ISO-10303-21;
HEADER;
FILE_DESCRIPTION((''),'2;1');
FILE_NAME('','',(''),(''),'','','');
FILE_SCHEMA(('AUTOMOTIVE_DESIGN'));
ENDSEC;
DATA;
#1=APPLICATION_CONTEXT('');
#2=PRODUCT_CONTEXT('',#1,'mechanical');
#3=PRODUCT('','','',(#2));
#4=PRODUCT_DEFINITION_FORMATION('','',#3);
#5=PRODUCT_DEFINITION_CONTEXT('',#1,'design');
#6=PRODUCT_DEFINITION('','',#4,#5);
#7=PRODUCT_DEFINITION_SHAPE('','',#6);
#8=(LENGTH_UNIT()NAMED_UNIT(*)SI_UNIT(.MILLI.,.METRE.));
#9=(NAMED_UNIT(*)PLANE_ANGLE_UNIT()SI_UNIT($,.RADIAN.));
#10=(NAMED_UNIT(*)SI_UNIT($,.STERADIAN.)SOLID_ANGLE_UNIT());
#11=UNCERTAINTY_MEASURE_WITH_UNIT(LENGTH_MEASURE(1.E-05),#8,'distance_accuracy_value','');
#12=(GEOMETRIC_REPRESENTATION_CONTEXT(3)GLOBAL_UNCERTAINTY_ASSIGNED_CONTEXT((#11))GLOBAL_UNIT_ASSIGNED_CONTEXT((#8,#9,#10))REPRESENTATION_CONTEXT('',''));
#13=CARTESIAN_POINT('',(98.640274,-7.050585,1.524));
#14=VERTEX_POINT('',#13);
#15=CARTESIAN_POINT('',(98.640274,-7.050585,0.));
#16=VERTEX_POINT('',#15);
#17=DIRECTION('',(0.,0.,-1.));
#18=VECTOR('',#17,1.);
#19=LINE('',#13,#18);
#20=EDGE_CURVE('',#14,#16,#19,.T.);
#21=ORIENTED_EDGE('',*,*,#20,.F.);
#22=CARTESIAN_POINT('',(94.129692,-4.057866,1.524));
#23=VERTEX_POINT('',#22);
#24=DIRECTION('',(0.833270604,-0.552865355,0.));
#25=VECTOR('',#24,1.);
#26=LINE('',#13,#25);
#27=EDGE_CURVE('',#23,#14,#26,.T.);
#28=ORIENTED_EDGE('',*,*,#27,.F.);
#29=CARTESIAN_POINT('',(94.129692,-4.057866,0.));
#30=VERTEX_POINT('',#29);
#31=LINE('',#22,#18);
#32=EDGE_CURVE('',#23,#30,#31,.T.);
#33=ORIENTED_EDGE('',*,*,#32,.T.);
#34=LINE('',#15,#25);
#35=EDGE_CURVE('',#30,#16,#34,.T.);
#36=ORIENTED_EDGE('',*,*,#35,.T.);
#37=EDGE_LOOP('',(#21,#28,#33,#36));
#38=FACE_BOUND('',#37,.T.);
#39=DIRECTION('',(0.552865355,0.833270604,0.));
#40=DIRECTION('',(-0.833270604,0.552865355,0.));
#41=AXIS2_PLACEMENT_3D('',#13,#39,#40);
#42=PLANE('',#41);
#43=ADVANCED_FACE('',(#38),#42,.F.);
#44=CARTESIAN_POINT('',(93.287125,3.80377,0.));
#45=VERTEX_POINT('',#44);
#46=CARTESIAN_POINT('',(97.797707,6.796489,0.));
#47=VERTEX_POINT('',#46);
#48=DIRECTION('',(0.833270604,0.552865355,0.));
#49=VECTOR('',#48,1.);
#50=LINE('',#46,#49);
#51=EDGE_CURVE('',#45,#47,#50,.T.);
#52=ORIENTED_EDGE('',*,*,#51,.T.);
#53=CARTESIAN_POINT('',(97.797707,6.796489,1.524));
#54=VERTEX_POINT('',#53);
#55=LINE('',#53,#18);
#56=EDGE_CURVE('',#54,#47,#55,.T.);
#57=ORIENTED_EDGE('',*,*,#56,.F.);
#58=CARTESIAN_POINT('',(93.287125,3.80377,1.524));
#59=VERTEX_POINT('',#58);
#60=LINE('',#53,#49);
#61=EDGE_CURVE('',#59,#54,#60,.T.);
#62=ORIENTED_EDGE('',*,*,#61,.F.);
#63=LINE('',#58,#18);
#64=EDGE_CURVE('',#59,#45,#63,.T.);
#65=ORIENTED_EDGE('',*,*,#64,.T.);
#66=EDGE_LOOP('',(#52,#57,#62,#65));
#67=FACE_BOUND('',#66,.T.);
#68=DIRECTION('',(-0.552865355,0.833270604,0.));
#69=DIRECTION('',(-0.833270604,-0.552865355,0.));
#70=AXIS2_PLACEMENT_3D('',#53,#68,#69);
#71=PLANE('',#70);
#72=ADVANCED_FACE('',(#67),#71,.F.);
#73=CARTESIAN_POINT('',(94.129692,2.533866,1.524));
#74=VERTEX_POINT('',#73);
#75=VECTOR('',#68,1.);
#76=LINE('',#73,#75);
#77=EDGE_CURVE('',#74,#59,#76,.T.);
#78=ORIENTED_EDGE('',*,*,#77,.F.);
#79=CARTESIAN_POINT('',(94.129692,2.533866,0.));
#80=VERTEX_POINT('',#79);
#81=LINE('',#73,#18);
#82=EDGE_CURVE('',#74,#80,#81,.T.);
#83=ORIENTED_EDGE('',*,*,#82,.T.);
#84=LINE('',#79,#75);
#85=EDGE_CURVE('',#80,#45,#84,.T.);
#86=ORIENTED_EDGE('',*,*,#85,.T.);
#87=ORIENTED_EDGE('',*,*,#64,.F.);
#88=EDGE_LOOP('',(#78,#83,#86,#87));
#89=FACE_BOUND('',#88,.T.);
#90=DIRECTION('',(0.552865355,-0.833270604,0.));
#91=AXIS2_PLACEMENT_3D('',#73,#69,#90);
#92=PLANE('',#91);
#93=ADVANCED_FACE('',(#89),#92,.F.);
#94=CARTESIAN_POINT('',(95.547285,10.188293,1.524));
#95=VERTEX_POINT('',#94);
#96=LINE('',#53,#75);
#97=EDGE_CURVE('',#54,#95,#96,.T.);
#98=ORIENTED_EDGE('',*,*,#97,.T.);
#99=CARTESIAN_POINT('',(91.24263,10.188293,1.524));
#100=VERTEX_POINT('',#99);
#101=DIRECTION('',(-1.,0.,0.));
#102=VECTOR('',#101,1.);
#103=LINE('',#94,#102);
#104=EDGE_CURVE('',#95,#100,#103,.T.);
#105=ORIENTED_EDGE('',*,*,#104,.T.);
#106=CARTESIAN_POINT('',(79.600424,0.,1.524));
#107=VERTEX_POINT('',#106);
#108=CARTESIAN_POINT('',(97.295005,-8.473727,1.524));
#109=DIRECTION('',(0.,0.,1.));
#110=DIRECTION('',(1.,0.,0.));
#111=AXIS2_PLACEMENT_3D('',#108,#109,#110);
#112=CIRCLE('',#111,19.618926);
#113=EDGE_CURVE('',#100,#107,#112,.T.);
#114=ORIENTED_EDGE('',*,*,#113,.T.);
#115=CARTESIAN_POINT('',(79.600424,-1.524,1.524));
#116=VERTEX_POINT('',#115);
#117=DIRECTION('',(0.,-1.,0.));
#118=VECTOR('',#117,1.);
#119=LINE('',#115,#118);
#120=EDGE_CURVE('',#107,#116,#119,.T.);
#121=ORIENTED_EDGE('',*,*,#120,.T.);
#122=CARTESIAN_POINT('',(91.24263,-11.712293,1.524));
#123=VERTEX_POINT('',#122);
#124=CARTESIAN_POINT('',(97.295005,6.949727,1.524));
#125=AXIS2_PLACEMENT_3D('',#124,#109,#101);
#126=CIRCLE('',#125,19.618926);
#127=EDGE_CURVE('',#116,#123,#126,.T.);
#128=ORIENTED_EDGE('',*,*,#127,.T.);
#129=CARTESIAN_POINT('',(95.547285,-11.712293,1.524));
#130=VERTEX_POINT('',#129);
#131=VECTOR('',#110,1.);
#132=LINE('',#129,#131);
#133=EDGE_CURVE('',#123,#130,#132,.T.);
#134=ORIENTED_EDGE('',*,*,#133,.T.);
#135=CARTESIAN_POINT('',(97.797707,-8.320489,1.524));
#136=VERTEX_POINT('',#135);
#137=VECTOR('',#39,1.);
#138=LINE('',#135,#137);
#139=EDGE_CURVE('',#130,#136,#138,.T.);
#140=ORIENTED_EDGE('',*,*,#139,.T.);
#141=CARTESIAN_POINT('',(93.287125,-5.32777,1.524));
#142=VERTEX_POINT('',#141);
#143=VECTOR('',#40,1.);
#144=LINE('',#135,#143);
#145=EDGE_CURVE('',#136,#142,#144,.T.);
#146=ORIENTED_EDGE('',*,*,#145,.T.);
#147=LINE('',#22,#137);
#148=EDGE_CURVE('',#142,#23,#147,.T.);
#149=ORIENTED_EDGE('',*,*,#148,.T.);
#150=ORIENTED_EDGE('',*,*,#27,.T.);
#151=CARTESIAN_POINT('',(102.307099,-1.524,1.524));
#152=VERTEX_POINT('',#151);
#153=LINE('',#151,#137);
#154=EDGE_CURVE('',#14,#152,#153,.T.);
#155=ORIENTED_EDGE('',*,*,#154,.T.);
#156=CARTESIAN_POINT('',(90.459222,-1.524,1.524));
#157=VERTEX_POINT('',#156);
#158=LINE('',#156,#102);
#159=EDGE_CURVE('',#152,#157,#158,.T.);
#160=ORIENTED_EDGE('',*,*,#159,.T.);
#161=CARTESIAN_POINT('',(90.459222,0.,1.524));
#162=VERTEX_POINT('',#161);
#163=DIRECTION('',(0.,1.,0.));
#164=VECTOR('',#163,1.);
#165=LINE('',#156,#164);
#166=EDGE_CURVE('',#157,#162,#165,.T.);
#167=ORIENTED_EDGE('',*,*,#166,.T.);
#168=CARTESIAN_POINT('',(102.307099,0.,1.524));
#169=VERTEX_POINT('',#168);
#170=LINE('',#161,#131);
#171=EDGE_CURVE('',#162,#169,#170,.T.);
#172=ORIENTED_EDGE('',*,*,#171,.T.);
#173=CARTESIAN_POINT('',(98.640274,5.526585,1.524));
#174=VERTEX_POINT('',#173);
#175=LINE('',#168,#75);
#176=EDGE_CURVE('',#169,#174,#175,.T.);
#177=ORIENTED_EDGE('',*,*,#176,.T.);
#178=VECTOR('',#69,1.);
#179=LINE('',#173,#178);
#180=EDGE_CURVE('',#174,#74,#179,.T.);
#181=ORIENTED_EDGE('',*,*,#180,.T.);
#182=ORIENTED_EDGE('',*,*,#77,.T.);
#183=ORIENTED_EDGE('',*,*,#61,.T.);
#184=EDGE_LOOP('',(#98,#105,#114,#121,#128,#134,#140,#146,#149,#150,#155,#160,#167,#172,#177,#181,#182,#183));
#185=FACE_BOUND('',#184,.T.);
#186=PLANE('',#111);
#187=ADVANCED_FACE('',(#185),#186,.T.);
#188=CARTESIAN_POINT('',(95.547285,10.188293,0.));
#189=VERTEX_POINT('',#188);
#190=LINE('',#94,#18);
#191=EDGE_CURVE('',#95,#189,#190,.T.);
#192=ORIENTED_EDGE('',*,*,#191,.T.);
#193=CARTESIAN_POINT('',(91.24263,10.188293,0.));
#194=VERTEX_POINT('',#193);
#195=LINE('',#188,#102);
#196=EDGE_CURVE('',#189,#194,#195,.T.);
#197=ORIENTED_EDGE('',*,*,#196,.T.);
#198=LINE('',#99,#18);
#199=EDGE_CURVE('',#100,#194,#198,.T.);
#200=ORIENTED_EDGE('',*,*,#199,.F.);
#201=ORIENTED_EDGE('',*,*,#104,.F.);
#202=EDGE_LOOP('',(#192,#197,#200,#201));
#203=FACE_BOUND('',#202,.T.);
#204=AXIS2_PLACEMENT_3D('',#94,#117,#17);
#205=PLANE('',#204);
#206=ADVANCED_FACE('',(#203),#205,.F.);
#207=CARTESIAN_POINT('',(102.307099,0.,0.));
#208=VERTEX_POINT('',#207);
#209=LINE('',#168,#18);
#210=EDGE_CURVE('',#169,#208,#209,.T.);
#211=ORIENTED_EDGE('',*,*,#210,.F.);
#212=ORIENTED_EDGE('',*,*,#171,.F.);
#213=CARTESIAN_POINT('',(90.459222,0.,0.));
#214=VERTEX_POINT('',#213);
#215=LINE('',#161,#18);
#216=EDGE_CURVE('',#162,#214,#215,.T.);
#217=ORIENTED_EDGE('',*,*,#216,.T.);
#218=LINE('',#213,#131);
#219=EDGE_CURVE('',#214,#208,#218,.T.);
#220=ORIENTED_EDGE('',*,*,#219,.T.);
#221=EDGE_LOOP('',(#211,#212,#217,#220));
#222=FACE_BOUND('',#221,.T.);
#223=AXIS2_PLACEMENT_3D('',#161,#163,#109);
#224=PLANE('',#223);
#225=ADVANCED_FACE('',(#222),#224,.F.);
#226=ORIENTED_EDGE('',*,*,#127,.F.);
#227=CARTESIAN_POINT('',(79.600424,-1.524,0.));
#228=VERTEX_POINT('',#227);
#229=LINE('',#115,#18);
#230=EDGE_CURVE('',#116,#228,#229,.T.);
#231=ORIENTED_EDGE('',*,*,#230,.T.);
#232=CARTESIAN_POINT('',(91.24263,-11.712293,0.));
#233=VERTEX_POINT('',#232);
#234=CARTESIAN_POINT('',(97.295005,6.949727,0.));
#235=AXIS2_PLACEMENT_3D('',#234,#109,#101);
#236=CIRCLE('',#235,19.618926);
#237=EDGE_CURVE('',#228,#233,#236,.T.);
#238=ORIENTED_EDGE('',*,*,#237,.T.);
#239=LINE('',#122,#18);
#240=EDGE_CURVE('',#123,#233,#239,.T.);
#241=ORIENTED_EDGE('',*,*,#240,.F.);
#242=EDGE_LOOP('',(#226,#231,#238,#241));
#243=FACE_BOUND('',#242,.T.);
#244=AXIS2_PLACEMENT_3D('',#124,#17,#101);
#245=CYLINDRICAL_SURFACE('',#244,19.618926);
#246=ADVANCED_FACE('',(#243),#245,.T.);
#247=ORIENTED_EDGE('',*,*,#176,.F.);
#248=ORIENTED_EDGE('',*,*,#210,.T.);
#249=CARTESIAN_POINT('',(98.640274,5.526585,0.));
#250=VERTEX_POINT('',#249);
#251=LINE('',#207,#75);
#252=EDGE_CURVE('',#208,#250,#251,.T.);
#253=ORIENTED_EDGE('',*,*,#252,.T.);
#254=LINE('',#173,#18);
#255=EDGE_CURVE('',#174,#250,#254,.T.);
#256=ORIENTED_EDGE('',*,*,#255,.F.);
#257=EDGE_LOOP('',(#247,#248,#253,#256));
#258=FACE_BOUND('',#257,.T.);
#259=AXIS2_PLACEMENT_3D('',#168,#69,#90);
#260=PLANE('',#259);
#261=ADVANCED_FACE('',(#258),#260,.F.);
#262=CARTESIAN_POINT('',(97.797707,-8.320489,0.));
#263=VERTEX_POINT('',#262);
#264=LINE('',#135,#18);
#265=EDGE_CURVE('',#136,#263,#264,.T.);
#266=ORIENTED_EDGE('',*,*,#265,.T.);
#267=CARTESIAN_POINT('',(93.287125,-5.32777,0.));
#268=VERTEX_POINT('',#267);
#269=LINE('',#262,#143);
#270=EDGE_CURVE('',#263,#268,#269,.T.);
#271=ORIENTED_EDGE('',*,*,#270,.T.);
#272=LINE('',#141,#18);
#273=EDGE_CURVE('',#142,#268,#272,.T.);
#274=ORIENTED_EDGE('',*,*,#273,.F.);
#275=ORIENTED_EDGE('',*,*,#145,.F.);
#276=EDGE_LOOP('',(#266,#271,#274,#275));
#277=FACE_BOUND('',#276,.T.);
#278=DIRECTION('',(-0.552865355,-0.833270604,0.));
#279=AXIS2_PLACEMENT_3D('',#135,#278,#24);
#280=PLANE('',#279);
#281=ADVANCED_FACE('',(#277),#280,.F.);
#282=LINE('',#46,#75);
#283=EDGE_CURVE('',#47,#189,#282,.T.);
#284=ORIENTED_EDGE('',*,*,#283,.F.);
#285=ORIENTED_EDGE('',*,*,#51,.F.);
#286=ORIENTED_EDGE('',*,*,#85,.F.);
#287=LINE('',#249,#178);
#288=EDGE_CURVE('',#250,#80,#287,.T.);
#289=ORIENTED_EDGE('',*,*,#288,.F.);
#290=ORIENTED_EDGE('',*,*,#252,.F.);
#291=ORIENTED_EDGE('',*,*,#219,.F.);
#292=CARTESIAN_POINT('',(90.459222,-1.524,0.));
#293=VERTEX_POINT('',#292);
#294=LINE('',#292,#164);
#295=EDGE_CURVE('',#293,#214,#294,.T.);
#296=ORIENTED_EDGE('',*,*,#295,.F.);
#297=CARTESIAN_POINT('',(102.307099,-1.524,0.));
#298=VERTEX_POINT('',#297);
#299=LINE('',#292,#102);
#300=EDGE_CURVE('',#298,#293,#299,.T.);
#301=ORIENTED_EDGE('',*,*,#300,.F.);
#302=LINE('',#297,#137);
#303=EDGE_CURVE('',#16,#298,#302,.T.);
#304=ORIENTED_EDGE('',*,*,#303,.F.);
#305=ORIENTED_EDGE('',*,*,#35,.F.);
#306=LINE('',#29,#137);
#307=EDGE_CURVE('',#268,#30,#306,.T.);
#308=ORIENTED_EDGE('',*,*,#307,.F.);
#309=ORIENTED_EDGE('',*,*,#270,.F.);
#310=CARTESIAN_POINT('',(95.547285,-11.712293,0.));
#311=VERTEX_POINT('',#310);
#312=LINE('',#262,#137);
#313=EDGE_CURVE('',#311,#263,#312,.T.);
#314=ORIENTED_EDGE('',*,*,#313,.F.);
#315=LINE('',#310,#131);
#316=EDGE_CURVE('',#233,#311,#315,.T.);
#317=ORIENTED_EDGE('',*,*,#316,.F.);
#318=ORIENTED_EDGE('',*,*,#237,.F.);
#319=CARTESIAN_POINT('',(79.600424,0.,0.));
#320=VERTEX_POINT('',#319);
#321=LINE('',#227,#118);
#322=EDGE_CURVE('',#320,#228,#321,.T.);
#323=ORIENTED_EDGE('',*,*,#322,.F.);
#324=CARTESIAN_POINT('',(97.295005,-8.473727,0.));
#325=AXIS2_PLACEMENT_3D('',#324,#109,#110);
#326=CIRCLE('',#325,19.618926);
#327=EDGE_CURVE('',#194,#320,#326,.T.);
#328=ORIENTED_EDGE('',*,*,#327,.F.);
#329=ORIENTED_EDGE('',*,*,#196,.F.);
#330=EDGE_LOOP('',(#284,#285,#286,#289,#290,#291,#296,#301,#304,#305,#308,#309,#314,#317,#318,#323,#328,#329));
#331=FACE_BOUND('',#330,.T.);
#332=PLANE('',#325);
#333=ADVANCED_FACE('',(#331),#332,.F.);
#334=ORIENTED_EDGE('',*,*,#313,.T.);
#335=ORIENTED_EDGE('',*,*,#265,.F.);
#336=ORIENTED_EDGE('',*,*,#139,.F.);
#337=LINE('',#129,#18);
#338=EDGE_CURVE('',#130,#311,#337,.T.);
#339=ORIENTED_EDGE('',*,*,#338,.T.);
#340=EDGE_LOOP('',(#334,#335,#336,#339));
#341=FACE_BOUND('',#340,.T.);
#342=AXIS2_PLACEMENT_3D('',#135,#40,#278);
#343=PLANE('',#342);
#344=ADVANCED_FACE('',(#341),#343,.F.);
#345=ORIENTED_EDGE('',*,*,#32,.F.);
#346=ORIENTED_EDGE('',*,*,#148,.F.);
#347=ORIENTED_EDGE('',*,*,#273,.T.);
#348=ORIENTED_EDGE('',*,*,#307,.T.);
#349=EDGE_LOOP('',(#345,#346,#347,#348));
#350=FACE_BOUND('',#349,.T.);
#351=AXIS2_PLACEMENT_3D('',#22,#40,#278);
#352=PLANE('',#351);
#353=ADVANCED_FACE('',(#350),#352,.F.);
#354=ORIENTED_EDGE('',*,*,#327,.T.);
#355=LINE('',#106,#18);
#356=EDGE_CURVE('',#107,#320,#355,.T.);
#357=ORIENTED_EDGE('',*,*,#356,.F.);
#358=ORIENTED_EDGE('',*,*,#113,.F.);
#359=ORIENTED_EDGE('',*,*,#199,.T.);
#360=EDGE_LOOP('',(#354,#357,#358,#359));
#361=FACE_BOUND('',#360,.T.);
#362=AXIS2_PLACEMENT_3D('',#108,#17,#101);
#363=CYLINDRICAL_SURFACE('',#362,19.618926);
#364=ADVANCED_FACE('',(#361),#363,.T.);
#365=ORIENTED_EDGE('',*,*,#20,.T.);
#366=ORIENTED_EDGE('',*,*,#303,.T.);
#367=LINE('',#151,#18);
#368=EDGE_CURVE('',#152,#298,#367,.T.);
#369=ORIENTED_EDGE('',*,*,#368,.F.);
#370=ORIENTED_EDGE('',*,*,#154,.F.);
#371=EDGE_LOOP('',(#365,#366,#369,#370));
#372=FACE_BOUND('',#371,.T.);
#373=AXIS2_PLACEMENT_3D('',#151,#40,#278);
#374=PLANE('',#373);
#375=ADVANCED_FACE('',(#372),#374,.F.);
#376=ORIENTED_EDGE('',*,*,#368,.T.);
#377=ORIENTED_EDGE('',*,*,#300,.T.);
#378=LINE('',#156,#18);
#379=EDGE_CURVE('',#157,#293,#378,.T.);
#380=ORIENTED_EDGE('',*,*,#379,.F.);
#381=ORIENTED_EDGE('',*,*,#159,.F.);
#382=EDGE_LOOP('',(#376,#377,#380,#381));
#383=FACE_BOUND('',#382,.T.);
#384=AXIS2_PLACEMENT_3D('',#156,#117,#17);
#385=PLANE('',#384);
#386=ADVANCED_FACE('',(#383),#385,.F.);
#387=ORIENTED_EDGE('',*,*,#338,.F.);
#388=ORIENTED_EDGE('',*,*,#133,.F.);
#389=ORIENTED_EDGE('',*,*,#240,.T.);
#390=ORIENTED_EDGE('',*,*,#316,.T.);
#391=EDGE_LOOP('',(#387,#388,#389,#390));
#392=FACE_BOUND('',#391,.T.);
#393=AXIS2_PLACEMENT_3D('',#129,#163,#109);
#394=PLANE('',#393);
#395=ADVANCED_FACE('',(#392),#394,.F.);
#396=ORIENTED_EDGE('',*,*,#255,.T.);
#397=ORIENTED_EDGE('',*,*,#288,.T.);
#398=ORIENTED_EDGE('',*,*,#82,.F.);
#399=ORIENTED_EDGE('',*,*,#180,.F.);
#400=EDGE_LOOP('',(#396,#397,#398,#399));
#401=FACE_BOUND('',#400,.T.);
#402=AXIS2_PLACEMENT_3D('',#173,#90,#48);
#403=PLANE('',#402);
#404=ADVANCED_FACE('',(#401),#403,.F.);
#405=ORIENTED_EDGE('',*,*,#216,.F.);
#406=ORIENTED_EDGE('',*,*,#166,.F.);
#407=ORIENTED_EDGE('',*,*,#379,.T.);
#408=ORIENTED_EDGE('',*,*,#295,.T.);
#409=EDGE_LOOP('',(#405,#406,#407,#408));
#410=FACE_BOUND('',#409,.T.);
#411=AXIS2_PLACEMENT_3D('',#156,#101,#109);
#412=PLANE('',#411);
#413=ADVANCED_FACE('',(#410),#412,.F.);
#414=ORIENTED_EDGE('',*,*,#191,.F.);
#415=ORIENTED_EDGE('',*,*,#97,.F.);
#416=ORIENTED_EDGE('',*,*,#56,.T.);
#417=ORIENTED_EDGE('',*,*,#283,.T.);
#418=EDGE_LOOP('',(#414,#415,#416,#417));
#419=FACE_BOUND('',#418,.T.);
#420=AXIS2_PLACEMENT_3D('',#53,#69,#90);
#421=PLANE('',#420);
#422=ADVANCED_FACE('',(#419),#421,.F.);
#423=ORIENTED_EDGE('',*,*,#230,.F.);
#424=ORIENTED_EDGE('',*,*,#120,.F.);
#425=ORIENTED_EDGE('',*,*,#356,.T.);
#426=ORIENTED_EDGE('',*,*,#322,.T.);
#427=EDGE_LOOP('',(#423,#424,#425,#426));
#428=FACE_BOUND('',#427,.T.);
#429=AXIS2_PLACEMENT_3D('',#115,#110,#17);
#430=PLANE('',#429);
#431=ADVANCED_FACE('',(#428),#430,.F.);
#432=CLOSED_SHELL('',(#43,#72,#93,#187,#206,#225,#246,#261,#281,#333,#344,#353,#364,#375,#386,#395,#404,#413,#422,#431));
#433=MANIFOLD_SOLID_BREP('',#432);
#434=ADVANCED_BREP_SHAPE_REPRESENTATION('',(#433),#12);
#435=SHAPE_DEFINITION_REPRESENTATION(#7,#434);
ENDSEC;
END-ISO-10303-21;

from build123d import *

# Parameters (mm, degrees)
BOSS_EXTRUDE1_DEPTH = 1.524


with BuildPart() as part:
    # Sketch1 → Boss-Extrude1 (new body)
    with BuildSketch(Plane.XY):
        with BuildLine():
            Line((90.459222019, -1.524), (102.307099067, -1.524))
            Line((102.307099067, -1.524), (98.640274248, -7.050584921))
            Line((98.640274248, -7.050584921), (94.129691871, -4.057865973))
            Line((94.129691871, -4.057865973), (93.28712507, -5.327770374))
            Line((93.28712507, -5.327770374), (97.797707447, -8.320489321))
            Line((97.797707447, -8.320489321), (95.547284868, -11.712293431))
            Line((95.547284868, -11.712293431), (91.242630209, -11.712293431))
            ThreePointArc((91.242630209, -11.712293431), (84.374873322, -7.81416263), (79.600424402, -1.524))
            Line((79.600424402, -1.524), (79.600424402, 0))
            ThreePointArc((79.600424402, 0), (84.374873322, 6.29016263), (91.242630209, 10.188293431))
            Line((91.242630209, 10.188293431), (95.547284868, 10.188293431))
            Line((95.547284868, 10.188293431), (97.797707447, 6.796489321))
            Line((97.797707447, 6.796489321), (93.28712507, 3.803770374))
            Line((93.28712507, 3.803770374), (94.129691871, 2.533865973))
            Line((94.129691871, 2.533865973), (98.640274248, 5.526584921))
            Line((98.640274248, 5.526584921), (102.307099067, 0))
            Line((102.307099067, 0), (90.459222019, 0))
            Line((90.459222019, 0), (90.459222019, -1.524))
        make_face()
    extrude(amount=BOSS_EXTRUDE1_DEPTH)


solid = part.part
